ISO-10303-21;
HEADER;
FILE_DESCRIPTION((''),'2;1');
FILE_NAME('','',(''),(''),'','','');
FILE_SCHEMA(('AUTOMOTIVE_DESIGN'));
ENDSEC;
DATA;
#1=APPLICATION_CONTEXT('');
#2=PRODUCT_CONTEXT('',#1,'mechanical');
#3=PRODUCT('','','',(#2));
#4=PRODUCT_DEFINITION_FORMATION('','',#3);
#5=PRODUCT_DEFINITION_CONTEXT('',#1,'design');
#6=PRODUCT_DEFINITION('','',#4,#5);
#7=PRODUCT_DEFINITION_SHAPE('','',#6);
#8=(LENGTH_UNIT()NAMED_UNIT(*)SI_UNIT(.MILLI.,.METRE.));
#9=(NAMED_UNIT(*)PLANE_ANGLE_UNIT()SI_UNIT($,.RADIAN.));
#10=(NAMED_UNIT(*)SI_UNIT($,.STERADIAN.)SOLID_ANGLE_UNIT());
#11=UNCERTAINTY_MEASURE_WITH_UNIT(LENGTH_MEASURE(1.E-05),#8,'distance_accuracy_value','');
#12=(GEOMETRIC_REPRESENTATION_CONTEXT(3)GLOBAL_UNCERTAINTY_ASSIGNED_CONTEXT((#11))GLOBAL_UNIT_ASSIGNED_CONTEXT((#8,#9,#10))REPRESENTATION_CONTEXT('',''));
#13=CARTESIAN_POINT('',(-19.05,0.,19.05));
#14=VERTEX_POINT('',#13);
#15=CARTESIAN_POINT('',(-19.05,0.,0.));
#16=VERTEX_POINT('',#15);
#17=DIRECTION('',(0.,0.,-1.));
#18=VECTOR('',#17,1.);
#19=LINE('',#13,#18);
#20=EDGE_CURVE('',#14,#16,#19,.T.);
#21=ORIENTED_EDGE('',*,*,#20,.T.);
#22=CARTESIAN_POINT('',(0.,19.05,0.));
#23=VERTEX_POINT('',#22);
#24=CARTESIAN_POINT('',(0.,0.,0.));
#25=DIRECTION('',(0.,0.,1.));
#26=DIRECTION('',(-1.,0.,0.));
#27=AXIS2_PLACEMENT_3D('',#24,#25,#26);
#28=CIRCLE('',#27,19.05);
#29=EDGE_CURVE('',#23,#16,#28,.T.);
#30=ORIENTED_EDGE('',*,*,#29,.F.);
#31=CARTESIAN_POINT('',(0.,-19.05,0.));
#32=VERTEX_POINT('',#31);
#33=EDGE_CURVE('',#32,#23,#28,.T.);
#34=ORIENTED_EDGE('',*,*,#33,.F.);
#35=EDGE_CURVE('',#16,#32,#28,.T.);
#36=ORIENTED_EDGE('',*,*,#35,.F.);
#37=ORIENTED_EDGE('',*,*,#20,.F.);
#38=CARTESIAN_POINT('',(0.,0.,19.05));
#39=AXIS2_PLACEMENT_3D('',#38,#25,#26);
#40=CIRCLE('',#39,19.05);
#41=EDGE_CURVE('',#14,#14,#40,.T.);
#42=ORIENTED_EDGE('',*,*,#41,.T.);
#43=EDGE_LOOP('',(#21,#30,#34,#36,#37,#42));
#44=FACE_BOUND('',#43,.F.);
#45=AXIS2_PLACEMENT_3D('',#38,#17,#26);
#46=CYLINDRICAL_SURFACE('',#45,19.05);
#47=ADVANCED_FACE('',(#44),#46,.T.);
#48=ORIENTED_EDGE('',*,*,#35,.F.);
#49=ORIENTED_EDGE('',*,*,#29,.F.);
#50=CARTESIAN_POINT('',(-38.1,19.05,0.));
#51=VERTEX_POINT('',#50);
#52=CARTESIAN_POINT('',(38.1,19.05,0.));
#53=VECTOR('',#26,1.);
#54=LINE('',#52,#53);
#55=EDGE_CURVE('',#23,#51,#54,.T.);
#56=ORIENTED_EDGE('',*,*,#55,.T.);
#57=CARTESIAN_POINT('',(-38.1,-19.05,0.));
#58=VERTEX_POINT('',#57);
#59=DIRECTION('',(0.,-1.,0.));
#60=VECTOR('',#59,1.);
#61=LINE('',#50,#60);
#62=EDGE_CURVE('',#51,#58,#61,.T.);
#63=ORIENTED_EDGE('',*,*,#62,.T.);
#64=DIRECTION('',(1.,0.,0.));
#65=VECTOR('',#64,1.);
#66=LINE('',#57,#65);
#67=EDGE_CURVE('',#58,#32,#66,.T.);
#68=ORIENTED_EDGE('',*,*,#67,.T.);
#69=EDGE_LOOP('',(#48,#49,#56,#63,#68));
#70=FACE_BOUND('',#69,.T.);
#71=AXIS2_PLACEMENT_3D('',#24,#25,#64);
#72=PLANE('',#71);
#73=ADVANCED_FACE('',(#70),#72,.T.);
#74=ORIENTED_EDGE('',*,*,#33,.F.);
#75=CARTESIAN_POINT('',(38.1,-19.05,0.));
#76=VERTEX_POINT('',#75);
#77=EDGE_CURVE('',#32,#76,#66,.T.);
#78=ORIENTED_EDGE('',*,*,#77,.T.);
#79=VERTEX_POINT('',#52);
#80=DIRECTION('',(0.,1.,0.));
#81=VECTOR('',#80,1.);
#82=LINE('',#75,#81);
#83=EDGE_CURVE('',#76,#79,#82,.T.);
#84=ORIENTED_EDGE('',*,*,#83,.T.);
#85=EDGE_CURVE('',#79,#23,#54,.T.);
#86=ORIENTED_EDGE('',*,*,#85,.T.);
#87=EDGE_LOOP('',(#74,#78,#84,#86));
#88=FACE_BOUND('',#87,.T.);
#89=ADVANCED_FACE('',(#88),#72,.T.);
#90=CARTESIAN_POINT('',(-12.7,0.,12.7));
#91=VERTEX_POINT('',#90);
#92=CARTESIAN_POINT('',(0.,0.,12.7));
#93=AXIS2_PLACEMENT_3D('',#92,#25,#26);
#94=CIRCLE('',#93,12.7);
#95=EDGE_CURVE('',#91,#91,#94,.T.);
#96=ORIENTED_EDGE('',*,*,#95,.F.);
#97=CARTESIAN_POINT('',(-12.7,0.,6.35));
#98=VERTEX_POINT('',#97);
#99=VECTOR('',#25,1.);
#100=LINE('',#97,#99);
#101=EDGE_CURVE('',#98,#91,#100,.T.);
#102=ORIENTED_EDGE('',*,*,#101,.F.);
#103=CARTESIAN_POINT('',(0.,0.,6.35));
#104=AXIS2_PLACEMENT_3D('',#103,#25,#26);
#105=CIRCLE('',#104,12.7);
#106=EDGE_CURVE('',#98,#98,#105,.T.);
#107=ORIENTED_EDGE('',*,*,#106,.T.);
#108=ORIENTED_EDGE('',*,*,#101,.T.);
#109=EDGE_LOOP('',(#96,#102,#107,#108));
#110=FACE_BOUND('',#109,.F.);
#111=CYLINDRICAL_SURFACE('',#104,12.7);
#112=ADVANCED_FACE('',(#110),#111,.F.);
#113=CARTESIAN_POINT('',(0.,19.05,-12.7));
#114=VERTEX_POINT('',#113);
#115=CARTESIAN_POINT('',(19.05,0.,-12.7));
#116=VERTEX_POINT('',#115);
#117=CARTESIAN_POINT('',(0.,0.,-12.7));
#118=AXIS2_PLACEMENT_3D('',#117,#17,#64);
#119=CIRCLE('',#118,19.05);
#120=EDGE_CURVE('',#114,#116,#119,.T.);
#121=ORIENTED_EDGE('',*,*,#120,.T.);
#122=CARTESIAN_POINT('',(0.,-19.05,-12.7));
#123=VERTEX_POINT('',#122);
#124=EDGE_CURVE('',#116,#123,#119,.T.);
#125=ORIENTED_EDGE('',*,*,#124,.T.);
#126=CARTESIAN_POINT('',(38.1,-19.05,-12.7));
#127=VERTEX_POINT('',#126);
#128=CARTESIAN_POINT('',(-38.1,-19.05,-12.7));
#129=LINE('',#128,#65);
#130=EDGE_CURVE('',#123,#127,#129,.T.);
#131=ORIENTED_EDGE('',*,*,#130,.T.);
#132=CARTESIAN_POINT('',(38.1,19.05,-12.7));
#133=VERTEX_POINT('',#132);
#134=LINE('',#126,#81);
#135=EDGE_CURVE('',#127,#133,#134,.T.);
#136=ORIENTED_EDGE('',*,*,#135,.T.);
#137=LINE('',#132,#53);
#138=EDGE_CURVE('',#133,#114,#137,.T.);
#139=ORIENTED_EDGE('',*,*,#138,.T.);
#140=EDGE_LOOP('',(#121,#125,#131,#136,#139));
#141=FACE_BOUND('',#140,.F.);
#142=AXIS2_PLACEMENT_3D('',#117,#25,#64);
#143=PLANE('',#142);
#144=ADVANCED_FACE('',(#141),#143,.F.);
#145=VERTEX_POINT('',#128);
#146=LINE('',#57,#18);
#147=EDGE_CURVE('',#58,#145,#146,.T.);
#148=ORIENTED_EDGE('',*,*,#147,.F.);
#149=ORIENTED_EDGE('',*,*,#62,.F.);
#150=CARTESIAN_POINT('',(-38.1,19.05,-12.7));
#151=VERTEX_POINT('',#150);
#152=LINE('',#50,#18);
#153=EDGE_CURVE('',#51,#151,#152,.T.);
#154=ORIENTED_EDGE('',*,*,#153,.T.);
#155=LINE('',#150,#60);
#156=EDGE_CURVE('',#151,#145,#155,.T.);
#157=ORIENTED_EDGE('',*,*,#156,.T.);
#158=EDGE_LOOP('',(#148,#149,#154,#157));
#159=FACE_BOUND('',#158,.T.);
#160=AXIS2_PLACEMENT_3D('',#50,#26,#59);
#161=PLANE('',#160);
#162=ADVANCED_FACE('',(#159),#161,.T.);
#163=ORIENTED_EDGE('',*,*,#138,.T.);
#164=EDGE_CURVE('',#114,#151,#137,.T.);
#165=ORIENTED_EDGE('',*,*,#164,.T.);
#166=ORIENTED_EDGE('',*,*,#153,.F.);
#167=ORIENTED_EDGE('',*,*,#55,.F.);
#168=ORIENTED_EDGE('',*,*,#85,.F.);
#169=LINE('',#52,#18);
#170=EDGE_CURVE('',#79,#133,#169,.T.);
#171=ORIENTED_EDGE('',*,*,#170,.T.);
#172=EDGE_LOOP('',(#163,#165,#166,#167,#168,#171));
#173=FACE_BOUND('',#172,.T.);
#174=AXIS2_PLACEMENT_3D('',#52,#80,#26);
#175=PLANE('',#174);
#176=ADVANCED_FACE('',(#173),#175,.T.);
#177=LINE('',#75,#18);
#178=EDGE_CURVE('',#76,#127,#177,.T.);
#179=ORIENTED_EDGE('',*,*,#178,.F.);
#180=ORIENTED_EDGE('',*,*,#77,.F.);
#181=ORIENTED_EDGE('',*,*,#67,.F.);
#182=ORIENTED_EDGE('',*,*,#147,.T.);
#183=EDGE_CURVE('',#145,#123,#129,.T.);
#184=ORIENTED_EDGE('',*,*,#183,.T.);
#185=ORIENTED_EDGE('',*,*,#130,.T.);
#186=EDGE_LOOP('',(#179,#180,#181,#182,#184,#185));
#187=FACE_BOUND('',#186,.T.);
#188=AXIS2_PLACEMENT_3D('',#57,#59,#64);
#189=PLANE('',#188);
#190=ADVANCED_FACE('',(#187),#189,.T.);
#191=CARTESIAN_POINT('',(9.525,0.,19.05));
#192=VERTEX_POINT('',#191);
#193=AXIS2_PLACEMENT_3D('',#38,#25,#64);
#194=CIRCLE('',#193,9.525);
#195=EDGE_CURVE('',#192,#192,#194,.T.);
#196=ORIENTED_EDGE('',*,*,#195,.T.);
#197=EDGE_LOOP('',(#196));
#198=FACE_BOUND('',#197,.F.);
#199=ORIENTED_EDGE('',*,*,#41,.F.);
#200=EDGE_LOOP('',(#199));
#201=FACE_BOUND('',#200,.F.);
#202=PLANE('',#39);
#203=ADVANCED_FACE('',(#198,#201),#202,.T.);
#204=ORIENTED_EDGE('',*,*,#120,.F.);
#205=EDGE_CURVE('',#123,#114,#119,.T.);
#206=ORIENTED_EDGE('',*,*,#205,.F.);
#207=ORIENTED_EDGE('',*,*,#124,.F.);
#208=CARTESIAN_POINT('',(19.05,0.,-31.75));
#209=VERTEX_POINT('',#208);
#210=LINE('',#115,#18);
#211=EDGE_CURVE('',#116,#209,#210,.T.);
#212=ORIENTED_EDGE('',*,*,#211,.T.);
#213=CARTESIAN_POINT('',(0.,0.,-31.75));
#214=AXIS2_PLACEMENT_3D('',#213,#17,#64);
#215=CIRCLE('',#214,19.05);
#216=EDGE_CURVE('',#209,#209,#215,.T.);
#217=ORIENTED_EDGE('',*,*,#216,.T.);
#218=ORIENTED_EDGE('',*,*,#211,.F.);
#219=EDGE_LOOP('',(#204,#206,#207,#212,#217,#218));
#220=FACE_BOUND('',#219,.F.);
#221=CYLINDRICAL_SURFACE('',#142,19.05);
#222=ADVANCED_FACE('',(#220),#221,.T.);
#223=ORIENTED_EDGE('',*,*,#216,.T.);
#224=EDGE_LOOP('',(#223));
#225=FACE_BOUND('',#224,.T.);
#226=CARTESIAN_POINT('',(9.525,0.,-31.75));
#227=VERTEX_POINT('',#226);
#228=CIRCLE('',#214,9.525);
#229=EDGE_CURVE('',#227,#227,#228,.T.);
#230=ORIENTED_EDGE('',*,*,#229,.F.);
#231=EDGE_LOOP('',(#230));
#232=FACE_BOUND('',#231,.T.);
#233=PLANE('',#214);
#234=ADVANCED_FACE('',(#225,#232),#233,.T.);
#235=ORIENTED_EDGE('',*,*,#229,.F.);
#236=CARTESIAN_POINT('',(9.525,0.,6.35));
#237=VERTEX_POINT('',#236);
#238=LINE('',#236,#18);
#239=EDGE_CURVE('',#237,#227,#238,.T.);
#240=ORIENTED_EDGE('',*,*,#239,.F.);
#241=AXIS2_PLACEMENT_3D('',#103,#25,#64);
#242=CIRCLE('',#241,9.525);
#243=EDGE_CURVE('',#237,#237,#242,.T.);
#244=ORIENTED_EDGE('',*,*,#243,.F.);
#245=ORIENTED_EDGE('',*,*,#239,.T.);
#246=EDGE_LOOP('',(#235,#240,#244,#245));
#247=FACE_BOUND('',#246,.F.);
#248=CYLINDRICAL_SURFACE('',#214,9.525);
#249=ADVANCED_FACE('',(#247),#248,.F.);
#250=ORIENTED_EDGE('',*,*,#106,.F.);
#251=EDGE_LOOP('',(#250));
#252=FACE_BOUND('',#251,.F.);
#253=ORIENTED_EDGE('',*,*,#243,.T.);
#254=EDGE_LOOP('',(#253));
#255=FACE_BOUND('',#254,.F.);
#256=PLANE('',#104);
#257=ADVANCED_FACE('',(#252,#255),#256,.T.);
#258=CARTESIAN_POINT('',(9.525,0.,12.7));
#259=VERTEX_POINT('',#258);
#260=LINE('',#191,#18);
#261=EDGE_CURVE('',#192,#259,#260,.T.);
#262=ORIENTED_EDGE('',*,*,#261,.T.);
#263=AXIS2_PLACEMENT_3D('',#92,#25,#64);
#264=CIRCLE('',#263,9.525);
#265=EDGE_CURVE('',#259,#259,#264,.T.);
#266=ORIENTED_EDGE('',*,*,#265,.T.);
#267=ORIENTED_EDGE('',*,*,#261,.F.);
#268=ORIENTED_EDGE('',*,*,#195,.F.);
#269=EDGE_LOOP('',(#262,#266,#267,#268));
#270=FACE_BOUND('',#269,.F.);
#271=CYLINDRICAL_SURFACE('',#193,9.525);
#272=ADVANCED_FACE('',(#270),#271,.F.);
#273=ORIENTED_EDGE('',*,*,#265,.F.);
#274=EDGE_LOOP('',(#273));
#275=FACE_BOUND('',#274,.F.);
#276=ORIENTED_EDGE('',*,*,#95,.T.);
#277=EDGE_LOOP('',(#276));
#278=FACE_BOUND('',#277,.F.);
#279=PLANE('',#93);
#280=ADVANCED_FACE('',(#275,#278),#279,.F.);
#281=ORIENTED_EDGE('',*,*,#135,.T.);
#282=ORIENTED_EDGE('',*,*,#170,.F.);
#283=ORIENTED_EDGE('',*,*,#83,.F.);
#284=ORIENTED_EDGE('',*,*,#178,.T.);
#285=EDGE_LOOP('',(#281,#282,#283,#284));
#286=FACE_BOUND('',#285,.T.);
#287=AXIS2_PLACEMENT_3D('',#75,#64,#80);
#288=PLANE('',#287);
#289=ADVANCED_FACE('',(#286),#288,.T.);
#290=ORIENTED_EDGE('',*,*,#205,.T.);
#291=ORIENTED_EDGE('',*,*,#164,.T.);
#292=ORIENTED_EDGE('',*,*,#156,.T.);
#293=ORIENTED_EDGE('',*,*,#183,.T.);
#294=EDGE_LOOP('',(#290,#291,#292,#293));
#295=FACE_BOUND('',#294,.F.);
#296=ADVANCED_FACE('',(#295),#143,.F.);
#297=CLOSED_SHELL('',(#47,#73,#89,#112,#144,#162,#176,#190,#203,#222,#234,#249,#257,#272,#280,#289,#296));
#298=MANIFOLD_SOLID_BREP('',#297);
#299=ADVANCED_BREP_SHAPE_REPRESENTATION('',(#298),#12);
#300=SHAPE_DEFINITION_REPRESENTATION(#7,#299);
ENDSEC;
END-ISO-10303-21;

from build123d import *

# Parameters (mm, degrees)
F1_DEPTH = 12.7
F4_R     = 9.525
F5_DEPTH = 31.751
F6_R     = 19.05
F7_DEPTH = 19.05
F8_R     = 9.525
F9_DEPTH = 50.801


with BuildPart() as f1:
    # F0 (on Top) → F1 (new body)
    with BuildSketch(Plane.XY):
        Polygon((38.1, 19.05), (0, 19.05), (-38.1, 19.05), (-38.1, -19.05), (38.1, -19.05), align=None)
    extrude(amount=-F1_DEPTH)

    # F2 (on Front) → F3 (revolve)
    with BuildSketch(Plane.XZ):
        Polygon((-19.05, 0), (0, 0), (0, 6.35), (-12.7, 6.35), (-12.7, 12.7), (0, 12.7), (0, 19.05), (-19.05, 19.05), align=None)
    revolve(axis=Axis((0, 0, 19.095721), (0, 0, 1)))

    # F4 (on face) → F5 (cut, through all)
    with BuildSketch(Plane.XY.offset(19.05)):
        Circle(F4_R)
    extrude(amount=-F5_DEPTH, mode=Mode.SUBTRACT)

    # F6 (on face) → F7 (join)
    with BuildSketch(Plane(origin=(0, 0, -12.7), x_dir=(1, 0, 0), z_dir=(0, 0, -1))):
        Circle(F6_R)
    extrude(amount=F7_DEPTH)

    # F8 (on face) → F9 (cut, through all)
    with BuildSketch(Plane(origin=(0, 0, -31.75), x_dir=(1, 0, 0), z_dir=(0, 0, -1))):
        Circle(F8_R)
    extrude(amount=-F9_DEPTH, mode=Mode.SUBTRACT)


solid = f1.part
